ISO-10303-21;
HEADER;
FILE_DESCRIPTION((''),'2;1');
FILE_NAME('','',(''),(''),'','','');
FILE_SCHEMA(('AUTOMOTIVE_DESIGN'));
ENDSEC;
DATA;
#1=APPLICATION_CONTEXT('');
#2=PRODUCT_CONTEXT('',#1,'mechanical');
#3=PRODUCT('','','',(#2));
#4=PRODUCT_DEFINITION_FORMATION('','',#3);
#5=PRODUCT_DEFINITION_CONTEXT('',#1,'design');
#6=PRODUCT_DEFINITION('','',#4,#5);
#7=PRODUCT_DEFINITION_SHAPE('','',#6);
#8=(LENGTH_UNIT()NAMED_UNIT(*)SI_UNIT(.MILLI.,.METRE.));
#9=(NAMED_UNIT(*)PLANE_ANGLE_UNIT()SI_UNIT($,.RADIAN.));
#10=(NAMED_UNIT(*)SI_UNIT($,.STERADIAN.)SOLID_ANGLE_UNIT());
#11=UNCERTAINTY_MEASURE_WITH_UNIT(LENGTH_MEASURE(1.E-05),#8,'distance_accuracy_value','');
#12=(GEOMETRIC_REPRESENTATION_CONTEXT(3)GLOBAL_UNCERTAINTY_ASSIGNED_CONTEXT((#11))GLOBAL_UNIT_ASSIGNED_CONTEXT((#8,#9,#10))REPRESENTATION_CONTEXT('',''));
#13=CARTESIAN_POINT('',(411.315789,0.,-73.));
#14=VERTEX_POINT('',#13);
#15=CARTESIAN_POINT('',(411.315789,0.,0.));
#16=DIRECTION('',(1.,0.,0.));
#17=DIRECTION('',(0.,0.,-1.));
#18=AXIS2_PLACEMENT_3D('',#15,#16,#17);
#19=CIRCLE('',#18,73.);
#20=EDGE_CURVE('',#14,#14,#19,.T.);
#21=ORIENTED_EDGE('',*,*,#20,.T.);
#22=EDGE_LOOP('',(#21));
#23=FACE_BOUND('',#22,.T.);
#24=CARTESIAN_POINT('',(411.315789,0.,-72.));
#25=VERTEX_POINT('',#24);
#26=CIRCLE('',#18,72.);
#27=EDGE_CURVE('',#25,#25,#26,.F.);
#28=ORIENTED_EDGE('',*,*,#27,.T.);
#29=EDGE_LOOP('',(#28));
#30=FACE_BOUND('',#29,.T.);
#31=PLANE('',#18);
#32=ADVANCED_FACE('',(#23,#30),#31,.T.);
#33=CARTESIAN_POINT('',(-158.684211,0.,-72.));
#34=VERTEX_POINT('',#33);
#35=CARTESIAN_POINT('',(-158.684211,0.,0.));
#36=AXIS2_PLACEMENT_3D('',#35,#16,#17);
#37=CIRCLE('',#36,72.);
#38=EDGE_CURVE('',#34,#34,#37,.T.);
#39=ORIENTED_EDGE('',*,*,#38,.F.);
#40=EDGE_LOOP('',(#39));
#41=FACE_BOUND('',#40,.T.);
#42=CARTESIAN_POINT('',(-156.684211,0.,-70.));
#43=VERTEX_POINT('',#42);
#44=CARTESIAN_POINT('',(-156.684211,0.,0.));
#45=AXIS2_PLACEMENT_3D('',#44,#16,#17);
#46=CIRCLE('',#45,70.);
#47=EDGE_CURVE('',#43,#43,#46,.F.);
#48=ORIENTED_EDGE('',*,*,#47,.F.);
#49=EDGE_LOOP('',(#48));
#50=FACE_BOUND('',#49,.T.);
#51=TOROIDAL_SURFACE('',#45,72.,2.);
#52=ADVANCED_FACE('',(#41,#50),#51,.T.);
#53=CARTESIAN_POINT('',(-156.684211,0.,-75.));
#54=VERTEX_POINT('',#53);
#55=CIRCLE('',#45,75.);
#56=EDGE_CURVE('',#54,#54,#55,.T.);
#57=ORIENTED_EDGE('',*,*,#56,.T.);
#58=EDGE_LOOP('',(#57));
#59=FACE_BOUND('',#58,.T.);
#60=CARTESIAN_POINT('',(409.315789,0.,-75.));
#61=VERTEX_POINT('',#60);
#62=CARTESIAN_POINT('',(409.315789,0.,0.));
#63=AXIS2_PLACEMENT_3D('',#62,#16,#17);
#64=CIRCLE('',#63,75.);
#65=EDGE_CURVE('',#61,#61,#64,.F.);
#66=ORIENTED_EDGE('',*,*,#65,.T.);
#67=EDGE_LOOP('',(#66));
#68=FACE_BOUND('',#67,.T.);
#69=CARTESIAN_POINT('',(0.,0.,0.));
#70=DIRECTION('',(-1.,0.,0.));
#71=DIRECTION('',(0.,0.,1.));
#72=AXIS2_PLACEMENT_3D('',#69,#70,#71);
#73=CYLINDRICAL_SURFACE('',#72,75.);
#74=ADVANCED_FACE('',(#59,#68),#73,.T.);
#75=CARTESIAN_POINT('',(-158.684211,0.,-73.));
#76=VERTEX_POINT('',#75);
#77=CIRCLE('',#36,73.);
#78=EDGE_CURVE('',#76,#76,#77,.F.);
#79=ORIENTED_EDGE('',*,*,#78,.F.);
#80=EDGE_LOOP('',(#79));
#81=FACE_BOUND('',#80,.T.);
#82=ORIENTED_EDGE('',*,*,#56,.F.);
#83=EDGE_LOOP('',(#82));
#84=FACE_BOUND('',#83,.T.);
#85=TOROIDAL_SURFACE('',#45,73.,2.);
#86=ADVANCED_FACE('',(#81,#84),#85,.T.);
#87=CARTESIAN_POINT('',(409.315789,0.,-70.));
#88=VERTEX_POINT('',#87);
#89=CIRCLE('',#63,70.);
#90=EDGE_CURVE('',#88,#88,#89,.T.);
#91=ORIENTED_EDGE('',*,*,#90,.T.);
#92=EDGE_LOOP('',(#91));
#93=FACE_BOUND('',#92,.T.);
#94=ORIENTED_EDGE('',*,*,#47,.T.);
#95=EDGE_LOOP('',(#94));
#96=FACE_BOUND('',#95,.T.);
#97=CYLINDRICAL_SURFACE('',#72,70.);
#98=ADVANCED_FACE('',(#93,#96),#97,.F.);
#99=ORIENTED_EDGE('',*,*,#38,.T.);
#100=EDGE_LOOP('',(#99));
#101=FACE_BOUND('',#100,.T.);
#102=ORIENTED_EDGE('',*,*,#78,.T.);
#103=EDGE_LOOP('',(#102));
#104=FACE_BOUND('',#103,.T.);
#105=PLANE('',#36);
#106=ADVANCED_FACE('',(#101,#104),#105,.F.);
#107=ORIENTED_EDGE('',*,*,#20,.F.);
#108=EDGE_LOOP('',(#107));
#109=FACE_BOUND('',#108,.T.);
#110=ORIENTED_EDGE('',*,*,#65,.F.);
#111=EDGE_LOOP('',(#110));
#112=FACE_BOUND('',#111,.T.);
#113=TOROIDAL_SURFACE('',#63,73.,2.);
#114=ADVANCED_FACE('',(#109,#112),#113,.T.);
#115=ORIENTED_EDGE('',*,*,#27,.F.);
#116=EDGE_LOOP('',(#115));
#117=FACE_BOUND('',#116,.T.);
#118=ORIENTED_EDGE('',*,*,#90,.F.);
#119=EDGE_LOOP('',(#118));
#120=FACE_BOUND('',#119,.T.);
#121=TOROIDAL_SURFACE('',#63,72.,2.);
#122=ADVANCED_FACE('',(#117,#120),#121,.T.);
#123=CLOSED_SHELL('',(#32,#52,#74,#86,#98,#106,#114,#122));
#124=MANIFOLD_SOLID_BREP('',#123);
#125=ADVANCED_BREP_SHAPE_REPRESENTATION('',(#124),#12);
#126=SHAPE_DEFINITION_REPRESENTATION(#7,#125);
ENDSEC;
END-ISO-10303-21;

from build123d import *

# Parameters (mm, degrees)
SZKIC1_W        = 570
SZKIC1_H        = 5
ZAOKR_GLENIE1_R = 2


with BuildPart() as part:
    # Szkic1 → Obrót1 (revolve)
    with BuildSketch(Plane.XY, mode=Mode.PRIVATE) as obr_t1_sk:
        with Locations((126.315789474, 72.5)):
            Rectangle(SZKIC1_W, SZKIC1_H)
    revolve(obr_t1_sk.sketch.rotate(Axis((0, 0, 0), (1, 0, 0)), 90), axis=Axis((0, 0, 0), (1, 0, 0)))

    # Zaokrąglenie1
    zaokr_glenie1_edges = [part.edges().sort_by_distance(p)[0] for p in [
        (-158.684210526, 0, -75),
        (411.315789474, 0, -75),
        (411.315789474, 0, -70),
        (-158.684210526, 0, -70),
    ]]
    fillet(zaokr_glenie1_edges, radius=ZAOKR_GLENIE1_R)


solid = part.part
